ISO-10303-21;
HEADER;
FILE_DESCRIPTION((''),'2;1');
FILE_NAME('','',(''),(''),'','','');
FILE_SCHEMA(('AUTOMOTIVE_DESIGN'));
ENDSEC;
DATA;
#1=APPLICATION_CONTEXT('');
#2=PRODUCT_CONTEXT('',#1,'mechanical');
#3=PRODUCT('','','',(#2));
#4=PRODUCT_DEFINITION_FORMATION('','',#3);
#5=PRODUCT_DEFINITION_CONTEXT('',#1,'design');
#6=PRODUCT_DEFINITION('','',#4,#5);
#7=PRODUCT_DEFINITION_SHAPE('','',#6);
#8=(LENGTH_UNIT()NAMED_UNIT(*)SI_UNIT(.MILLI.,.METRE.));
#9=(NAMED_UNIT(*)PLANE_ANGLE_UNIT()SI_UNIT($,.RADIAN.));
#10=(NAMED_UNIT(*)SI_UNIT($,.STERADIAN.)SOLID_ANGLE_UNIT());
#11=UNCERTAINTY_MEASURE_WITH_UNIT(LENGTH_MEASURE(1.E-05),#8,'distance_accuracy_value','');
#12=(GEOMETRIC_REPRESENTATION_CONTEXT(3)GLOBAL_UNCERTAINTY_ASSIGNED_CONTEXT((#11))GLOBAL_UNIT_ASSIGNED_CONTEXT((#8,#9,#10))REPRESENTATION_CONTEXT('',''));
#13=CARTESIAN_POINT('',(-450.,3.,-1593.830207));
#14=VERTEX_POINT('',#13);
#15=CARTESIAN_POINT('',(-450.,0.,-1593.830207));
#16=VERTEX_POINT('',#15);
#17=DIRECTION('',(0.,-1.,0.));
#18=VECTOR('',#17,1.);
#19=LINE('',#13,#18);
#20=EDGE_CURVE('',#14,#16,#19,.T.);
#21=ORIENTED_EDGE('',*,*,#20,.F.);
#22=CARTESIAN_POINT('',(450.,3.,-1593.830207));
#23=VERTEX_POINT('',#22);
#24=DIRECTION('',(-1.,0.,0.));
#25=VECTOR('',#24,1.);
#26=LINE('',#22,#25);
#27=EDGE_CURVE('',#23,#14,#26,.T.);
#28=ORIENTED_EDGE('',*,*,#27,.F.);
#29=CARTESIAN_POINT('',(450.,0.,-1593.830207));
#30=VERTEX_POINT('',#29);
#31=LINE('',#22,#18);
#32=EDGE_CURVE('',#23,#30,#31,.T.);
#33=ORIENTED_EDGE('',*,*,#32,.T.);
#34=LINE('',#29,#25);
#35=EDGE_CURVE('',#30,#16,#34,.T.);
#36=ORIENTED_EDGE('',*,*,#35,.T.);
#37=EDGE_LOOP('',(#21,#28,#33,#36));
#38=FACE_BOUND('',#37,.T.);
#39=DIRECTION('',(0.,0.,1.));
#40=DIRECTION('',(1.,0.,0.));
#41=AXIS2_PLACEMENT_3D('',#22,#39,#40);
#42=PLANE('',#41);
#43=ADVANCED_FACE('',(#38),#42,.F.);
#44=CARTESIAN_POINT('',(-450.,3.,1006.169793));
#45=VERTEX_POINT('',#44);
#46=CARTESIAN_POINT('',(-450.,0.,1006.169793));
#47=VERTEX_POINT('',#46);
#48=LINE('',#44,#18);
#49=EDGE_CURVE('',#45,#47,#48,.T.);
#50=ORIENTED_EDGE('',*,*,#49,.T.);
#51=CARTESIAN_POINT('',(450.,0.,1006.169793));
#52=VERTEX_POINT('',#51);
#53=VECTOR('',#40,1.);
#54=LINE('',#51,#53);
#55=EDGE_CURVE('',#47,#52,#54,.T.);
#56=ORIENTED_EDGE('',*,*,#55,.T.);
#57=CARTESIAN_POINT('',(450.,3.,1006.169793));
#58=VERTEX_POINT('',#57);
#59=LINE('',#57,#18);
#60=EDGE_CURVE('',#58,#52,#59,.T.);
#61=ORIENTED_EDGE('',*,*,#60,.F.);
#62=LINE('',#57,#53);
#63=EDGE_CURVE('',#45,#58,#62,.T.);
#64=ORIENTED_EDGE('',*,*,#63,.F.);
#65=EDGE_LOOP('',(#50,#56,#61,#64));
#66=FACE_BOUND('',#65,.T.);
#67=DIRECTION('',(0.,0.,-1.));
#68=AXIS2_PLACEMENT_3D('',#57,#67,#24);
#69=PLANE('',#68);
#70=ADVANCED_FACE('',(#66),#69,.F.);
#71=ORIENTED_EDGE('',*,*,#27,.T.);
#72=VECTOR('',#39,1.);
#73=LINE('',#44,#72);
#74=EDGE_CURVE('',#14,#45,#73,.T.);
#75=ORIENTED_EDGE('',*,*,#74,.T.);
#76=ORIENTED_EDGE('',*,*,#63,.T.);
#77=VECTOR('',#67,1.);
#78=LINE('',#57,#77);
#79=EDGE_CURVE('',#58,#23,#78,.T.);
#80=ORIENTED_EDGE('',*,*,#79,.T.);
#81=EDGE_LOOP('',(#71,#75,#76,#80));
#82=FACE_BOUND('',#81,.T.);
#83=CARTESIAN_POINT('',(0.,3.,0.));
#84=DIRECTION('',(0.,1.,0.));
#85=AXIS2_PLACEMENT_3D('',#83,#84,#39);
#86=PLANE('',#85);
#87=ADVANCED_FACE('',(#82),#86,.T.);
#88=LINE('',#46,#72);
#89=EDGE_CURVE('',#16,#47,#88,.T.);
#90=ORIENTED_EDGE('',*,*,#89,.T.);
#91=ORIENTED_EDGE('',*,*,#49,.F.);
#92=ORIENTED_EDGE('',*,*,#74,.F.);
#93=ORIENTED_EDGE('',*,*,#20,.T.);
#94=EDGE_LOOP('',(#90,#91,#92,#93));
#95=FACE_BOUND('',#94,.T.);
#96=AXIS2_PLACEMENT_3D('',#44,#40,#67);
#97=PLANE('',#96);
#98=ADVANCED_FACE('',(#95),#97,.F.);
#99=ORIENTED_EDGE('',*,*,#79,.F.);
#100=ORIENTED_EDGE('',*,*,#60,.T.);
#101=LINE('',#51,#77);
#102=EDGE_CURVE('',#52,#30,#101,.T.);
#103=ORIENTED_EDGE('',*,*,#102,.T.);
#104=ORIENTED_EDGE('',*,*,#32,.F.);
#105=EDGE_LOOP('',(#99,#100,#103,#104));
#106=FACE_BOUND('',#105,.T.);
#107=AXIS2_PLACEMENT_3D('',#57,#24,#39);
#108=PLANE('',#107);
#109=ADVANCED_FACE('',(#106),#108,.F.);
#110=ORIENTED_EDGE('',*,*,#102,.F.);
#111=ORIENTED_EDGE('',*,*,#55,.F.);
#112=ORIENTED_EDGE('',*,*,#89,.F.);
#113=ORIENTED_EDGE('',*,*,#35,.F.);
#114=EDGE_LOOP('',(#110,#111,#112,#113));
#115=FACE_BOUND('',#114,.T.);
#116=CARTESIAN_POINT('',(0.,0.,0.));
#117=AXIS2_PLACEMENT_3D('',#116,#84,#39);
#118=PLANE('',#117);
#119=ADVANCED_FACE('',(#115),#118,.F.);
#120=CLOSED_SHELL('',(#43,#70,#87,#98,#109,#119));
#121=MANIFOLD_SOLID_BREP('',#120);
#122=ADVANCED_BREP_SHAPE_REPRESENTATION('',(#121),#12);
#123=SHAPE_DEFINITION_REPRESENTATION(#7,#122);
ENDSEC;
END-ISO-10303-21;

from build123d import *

# Parameters (mm, degrees)
SKETCH142_W         = 900
SKETCH142_H         = 2600
BOSS_EXTRUDE1_DEPTH = 3


with BuildPart() as part:
    # Sketch142 → Boss-Extrude1 (new body)
    with BuildSketch(Plane(origin=(0, 0, 0), x_dir=(1, 0, 0), z_dir=(0, 1, 0))):
        with Locations((0, 293.830207092)):
            Rectangle(SKETCH142_W, SKETCH142_H)
    extrude(amount=BOSS_EXTRUDE1_DEPTH)


solid = part.part
